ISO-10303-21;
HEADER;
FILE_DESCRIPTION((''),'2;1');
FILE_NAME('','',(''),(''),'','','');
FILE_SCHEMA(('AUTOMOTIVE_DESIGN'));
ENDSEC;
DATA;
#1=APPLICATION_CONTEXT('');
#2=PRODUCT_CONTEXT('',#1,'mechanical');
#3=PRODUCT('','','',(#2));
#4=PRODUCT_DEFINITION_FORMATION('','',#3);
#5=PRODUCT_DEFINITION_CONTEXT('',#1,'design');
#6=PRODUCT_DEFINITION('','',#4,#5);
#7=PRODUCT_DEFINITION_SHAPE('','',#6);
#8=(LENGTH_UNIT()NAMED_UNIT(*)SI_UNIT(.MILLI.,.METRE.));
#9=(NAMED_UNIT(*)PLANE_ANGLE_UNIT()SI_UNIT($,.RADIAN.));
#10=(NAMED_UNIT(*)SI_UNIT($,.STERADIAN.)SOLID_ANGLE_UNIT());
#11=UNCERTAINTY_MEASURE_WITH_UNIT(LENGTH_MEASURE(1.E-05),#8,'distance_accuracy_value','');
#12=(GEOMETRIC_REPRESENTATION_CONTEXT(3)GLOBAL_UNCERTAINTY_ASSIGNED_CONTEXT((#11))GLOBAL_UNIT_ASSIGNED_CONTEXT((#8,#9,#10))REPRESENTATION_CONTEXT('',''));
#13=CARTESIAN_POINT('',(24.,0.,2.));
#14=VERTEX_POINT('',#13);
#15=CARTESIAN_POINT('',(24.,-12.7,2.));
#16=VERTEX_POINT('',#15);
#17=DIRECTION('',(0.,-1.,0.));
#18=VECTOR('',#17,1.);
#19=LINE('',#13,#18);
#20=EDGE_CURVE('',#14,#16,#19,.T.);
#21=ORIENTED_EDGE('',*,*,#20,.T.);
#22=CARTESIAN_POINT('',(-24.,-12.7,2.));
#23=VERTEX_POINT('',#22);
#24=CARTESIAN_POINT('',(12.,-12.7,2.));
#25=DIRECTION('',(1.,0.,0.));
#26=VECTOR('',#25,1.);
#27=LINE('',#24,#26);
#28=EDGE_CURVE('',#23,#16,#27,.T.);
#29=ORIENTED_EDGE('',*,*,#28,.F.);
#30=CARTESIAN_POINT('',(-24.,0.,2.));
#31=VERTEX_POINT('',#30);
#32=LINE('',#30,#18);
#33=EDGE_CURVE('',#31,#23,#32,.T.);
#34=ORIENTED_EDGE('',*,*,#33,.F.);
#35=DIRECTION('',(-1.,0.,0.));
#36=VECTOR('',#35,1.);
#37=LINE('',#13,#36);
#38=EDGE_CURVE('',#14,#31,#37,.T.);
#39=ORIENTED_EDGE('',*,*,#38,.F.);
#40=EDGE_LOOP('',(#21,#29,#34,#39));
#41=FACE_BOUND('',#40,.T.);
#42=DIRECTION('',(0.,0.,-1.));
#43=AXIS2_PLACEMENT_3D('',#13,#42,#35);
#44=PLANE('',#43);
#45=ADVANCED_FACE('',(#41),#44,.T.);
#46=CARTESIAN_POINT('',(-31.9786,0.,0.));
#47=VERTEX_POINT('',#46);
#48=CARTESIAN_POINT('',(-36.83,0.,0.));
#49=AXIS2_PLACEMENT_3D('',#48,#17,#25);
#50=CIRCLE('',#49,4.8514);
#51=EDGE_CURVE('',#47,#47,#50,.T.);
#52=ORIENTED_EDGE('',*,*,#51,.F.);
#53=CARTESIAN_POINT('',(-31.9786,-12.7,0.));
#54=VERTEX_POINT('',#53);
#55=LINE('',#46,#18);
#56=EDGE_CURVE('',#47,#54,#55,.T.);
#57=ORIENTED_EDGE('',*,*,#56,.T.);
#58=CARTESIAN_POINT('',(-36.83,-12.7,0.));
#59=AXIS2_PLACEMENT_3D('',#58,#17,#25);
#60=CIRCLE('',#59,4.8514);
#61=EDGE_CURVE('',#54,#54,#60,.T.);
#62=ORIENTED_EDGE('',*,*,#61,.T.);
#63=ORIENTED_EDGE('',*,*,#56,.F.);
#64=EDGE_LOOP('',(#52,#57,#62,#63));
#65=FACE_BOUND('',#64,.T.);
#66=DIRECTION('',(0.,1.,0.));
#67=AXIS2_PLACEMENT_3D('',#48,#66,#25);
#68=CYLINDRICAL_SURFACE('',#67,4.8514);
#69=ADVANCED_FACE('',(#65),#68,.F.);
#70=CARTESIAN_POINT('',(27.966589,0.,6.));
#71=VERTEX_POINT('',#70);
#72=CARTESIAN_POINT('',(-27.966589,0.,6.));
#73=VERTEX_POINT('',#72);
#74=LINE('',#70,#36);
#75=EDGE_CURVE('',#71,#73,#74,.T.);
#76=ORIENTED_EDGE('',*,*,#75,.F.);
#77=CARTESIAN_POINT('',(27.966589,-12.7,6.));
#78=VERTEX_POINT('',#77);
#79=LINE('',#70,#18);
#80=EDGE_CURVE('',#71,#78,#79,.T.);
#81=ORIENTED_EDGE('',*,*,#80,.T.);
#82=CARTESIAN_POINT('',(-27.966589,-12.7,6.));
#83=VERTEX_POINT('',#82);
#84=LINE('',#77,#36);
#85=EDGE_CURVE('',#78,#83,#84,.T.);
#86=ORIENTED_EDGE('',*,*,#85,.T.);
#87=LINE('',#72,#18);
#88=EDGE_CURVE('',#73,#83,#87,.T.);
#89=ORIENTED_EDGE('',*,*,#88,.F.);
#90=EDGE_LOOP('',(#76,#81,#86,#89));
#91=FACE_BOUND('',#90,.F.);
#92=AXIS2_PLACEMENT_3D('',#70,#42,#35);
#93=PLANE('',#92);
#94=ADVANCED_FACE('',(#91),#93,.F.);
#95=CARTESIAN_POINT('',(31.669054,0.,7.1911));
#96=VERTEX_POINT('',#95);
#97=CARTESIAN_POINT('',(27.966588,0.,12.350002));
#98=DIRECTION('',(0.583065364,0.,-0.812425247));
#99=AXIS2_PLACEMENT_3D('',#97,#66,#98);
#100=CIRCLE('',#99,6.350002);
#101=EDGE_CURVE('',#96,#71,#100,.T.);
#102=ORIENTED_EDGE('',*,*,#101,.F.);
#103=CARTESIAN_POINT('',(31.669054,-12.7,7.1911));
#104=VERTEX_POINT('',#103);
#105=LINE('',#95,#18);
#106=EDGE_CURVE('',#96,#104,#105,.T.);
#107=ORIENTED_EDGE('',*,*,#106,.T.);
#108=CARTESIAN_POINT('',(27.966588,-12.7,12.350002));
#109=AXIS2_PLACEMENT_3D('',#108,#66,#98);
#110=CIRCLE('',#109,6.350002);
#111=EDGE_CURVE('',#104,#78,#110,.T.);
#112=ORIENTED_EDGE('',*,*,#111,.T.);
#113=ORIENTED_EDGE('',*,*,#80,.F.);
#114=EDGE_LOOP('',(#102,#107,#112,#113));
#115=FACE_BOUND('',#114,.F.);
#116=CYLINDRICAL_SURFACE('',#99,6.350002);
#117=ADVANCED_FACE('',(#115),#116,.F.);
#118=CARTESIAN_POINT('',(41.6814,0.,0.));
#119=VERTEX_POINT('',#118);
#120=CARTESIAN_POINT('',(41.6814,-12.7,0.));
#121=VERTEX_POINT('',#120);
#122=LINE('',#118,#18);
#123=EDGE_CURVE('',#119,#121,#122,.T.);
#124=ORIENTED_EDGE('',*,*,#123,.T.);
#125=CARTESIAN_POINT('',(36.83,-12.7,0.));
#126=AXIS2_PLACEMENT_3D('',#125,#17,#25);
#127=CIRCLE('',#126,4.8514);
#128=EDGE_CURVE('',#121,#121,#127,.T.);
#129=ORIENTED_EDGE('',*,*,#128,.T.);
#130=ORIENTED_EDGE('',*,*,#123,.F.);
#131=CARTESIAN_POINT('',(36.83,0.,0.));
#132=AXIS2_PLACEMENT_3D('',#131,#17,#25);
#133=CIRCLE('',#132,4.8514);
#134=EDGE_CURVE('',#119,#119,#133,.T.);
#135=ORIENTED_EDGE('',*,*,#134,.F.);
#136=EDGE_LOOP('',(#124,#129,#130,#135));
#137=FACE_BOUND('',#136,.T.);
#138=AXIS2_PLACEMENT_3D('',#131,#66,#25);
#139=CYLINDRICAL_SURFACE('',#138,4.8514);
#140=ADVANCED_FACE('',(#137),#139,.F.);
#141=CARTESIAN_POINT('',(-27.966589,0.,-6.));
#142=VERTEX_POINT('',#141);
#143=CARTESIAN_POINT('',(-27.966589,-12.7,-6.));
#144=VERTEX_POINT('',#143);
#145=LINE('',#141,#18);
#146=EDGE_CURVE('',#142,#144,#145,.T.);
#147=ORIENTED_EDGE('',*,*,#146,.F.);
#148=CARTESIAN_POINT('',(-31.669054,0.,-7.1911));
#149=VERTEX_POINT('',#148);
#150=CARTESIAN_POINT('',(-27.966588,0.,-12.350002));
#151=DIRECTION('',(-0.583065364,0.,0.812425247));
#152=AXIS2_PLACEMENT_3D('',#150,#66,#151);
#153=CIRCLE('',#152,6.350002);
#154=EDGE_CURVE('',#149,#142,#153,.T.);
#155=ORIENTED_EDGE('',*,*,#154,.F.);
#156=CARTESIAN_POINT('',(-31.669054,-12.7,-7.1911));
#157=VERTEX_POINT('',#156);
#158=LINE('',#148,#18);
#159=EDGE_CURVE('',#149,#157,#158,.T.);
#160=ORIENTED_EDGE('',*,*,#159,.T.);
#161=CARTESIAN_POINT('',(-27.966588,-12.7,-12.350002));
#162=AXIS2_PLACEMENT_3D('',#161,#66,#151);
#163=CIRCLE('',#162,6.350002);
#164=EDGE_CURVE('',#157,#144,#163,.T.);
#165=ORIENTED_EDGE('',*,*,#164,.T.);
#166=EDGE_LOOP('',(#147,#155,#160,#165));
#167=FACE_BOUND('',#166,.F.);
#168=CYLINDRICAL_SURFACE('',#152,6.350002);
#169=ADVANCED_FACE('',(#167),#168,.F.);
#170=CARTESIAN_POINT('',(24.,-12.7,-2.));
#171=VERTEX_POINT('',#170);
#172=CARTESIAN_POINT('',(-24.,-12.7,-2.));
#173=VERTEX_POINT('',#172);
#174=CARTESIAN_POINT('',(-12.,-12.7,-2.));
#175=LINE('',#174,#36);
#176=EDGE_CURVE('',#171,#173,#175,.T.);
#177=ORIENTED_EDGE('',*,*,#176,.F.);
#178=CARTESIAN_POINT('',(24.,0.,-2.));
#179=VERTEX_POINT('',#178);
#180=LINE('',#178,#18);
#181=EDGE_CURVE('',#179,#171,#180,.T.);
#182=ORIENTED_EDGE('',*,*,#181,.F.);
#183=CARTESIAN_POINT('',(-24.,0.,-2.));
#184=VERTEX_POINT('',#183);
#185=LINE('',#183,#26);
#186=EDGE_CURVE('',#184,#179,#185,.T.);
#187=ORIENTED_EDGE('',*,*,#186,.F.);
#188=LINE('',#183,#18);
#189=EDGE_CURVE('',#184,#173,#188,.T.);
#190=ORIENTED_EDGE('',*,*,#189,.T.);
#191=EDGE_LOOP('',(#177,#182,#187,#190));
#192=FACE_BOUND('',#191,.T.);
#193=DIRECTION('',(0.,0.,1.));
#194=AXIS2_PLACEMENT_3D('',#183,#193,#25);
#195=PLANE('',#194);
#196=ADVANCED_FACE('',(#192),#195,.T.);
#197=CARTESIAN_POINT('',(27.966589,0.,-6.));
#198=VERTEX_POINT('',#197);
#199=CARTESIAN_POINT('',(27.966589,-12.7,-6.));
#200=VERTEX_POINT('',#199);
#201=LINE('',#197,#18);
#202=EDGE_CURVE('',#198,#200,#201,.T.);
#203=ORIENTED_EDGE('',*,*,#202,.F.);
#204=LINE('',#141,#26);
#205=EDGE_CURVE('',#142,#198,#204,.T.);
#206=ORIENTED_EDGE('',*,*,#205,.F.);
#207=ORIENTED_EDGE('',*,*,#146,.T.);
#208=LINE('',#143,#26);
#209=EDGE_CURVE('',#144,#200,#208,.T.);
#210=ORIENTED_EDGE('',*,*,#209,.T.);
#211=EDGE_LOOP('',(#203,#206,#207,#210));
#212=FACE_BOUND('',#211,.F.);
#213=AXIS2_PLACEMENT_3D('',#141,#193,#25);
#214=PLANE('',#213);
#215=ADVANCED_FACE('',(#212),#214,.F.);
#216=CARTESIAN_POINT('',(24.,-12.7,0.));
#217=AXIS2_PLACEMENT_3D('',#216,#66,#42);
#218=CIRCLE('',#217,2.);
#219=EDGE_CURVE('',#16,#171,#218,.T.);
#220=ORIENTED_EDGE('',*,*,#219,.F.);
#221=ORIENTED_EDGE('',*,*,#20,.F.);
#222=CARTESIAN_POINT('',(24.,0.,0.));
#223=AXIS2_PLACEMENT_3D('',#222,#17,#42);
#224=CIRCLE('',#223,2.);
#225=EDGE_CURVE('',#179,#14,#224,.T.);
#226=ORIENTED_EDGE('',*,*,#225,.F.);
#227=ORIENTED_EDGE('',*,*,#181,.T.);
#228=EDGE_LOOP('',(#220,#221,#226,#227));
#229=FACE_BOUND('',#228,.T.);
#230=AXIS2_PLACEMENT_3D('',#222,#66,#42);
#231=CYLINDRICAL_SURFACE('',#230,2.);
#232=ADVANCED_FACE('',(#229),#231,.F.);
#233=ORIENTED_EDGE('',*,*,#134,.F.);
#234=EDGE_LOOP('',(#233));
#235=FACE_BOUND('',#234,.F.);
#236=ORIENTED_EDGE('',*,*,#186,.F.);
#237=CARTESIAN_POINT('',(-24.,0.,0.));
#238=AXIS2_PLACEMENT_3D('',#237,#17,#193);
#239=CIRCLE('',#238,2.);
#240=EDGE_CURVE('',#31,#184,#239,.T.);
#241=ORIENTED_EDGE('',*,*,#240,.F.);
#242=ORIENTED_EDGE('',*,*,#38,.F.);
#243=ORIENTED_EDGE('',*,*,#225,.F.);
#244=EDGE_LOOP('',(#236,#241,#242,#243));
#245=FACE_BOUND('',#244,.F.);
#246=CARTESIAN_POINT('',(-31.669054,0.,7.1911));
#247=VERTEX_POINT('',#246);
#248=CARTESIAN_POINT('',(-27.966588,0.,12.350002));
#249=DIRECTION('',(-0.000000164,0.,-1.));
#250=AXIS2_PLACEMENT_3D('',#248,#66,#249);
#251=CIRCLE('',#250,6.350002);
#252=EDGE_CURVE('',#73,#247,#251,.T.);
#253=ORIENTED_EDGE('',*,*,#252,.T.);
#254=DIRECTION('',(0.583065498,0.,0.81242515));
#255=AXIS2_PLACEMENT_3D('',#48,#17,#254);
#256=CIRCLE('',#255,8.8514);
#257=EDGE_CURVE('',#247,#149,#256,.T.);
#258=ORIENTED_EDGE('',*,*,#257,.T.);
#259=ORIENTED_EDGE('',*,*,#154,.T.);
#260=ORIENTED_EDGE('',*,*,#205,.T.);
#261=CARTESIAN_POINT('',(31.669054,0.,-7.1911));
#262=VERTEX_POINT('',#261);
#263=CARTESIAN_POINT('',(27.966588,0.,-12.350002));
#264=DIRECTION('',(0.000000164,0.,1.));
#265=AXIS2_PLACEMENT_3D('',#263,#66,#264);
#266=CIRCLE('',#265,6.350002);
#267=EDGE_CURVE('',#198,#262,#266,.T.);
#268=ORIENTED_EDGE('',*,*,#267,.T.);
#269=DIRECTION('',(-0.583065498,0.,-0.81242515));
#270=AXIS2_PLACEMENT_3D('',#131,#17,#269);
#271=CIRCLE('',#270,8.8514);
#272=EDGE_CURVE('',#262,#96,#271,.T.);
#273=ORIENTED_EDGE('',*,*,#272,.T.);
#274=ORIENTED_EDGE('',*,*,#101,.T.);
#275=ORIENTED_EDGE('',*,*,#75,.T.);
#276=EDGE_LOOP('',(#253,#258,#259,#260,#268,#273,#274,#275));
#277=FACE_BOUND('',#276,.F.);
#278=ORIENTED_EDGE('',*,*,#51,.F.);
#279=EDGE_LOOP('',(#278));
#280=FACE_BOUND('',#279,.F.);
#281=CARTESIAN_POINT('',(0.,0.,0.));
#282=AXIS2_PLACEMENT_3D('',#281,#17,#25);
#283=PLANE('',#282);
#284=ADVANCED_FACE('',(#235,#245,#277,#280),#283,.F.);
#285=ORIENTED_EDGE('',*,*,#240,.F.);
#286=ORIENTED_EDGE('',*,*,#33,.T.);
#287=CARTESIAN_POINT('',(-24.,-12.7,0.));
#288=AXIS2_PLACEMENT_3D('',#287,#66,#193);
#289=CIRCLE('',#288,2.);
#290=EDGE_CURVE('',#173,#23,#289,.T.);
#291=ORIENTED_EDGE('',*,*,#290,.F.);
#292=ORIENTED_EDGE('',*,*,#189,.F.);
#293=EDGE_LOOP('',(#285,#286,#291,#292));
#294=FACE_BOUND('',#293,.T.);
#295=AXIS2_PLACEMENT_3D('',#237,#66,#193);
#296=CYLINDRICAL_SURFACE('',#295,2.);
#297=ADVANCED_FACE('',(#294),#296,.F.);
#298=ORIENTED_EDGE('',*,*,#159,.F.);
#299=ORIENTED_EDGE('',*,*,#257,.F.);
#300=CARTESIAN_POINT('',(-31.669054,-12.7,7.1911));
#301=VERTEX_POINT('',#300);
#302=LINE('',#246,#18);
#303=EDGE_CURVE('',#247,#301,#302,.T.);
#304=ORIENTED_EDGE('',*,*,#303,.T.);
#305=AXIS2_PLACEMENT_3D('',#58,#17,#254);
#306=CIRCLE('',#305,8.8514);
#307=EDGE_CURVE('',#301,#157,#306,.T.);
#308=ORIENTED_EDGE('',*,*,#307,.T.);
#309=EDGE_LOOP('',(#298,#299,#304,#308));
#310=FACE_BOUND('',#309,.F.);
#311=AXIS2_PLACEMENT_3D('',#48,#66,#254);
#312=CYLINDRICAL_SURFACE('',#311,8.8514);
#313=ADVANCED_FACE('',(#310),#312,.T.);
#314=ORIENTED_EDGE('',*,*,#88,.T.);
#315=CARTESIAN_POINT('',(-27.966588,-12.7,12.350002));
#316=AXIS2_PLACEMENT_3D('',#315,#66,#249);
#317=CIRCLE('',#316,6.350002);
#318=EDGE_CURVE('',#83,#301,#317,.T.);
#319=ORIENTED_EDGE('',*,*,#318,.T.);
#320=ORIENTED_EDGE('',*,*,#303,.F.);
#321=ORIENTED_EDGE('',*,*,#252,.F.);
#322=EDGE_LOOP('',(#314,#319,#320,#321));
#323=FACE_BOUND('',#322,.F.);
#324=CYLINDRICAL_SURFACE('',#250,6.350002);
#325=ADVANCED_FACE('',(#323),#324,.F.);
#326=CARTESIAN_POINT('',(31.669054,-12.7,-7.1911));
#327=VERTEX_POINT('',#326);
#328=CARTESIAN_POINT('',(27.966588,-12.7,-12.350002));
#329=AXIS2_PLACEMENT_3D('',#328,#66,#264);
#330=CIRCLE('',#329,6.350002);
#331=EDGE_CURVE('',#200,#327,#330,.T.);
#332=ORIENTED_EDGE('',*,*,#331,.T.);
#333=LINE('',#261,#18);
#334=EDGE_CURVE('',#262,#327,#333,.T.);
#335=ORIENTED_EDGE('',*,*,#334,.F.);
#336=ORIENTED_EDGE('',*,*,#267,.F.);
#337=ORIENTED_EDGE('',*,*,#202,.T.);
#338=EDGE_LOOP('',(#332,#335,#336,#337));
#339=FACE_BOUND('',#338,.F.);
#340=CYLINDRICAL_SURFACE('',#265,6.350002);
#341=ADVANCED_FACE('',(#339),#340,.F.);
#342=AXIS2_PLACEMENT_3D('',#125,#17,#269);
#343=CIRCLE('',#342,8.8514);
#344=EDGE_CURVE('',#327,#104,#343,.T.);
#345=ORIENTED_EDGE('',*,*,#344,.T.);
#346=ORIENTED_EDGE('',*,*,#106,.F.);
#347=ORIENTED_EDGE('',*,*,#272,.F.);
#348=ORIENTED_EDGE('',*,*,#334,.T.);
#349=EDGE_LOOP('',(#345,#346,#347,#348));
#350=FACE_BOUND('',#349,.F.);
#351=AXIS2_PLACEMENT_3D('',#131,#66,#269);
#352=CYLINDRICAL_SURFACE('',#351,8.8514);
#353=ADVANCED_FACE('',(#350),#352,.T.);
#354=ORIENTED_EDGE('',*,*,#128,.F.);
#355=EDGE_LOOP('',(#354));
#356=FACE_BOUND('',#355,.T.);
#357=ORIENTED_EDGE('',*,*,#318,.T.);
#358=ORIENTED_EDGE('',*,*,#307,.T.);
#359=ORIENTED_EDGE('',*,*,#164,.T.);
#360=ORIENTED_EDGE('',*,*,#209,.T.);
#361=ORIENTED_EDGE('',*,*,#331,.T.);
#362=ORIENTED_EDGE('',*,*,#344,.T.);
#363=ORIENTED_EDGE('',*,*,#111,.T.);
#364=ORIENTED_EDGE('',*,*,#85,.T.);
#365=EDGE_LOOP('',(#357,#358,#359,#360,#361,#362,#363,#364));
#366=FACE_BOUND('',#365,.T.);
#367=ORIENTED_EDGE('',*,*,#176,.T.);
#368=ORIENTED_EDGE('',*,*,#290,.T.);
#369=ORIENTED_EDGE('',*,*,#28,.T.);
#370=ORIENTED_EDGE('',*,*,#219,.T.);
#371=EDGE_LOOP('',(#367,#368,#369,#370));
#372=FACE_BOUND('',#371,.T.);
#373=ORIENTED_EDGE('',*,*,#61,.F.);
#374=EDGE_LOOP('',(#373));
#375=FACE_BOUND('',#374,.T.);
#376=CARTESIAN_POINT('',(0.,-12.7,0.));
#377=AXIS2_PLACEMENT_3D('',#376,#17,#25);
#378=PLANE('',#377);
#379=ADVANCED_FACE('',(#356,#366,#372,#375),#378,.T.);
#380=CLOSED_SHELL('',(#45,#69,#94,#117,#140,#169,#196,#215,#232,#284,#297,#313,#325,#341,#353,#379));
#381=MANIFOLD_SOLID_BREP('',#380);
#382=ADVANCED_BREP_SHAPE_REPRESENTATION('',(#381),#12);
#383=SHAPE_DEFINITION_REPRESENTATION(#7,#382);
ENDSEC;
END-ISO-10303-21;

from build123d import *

# Parameters (mm, degrees)
F1_R     = 4.8514
F2_DEPTH = 12.7
F4_DEPTH = 12.701


with BuildPart() as f2:
    # F1 (on Front) → F2 (new body)
    with BuildSketch(Plane.XZ):
        with BuildLine():
            ThreePointArc((-27.966589, 6), (-29.911259, 6.305105), (-31.669054, 7.1911))
            ThreePointArc((-31.669054, 7.1911), (-45.6814, 0), (-31.669054, -7.1911))
            ThreePointArc((-31.669054, -7.1911), (-29.911259, -6.305105), (-27.966589, -6))
            Line((-27.966589, -6), (27.966589, -6))
            ThreePointArc((27.966589, -6), (29.911259, -6.305105), (31.669054, -7.1911))
            ThreePointArc((31.669054, -7.1911), (45.6814, 0), (31.669054, 7.1911))
            ThreePointArc((31.669054, 7.1911), (29.911259, 6.305105), (27.966589, 6))
            Line((27.966589, 6), (-27.966589, 6))
        make_face()
        with Locations((-36.83, 0)):
            Circle(F1_R, mode=Mode.SUBTRACT)
        with Locations((36.83, 0)):
            Circle(F1_R, mode=Mode.SUBTRACT)
    extrude(amount=F2_DEPTH)

    # F3 (on Front) → F4 (cut, through all)
    with BuildSketch(Plane.XZ):
        with BuildLine():
            ThreePointArc((-24, 2), (-26, 0), (-24, -2))
            Line((-24, -2), (24, -2))
            ThreePointArc((24, -2), (26, 0), (24, 2))
            Line((24, 2), (-24, 2))
        make_face()
    extrude(amount=F4_DEPTH, mode=Mode.SUBTRACT)


solid = f2.part
